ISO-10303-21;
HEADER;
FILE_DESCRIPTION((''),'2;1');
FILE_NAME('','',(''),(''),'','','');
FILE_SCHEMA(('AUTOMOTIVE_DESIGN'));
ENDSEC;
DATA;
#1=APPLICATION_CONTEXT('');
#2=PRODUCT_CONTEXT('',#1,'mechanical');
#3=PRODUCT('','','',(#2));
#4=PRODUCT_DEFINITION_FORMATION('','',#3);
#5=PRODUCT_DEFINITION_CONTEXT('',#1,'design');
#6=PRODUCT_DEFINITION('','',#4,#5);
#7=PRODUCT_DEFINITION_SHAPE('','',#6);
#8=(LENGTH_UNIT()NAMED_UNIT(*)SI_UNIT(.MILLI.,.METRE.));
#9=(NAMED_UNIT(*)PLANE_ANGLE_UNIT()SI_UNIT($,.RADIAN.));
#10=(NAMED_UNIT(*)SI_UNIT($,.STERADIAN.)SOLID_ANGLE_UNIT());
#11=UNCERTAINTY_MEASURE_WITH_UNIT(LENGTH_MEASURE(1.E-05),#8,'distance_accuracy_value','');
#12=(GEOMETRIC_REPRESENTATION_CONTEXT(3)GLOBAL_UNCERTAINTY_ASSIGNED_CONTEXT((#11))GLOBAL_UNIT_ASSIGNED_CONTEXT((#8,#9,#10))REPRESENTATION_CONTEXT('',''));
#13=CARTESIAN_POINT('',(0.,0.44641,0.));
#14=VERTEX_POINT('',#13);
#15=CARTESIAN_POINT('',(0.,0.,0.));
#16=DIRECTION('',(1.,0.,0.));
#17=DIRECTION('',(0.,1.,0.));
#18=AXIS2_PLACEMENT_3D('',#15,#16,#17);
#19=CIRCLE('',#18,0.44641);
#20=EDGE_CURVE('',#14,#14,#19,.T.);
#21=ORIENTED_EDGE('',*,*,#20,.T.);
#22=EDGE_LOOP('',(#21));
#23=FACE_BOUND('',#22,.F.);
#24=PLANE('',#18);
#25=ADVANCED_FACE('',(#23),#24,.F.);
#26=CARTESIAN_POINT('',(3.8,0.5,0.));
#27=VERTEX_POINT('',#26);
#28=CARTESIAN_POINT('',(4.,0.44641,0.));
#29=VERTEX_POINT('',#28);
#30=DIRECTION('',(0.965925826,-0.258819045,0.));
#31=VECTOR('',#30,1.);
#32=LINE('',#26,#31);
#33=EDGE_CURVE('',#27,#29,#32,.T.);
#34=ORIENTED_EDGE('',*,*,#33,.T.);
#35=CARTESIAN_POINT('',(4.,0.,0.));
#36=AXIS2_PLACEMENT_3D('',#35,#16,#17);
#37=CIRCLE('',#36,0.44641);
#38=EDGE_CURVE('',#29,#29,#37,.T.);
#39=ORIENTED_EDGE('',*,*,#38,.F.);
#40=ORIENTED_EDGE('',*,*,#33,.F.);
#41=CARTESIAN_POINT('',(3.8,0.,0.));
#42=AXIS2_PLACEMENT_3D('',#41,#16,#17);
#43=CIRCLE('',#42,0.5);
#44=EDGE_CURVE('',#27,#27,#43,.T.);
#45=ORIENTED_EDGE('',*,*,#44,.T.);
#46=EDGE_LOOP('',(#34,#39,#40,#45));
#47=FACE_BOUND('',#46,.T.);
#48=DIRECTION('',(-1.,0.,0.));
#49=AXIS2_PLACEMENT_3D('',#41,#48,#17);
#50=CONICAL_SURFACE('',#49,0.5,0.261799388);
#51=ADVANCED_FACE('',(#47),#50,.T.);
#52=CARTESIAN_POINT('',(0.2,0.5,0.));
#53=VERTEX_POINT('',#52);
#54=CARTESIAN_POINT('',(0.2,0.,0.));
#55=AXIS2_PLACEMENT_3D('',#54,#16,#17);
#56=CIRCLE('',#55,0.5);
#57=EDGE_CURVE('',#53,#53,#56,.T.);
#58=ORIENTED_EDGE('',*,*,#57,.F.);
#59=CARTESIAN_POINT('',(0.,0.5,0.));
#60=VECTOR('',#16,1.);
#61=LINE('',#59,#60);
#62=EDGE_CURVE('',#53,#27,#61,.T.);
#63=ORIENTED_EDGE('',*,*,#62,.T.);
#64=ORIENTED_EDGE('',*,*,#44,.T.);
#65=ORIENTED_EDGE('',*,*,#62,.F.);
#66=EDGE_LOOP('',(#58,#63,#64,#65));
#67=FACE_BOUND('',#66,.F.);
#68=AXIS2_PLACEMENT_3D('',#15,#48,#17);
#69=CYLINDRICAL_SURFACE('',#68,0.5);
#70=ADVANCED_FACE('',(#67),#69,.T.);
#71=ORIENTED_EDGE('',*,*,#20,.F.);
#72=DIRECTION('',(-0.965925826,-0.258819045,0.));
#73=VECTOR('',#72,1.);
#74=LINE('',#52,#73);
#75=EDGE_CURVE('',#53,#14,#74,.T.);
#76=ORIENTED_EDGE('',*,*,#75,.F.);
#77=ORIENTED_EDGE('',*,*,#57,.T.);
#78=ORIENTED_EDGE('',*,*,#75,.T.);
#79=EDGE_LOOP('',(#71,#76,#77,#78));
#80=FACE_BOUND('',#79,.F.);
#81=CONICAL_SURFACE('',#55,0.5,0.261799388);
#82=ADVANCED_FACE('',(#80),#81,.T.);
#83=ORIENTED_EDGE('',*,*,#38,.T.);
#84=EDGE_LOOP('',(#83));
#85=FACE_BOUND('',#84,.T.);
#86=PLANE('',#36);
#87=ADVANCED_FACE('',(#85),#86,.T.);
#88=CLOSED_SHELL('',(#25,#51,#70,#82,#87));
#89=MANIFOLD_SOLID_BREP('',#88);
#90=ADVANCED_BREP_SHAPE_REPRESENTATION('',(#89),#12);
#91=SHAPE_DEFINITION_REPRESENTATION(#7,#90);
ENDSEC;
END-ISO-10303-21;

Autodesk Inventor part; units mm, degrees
ref_plane "YZ Plane" through (0, 0, 0) normal (1, 0, 0) x (0, 1, 0)
ref_plane "XZ Plane" through (0, 0, 0) normal (0, 1, 0) x (-1, 0, 0)
ref_plane "XY Plane" through (0, 0, 0) normal (0, 0, 1) x (1, 0, 0)
sketch "Skizze" plane through (0, 0, 0) normal (1, 0, 0) x (0, 1, 0)
  circle A0 centre (0, 0) radius 0.5
  dimension "d1" = 1
extrude "Körper" add sketch "Skizze" along normal blind 4
chamfer "Fase1" distance 0.2 angle 15 1 edges at (0, -0.5, 0) measured on face at (2.6667, 0.4984, -0.0402)
chamfer "Skizze2" distance 0.2 angle 15 1 edges at (4, -0.5, 0) measured on face at (2.7333, 0.4984, -0.0402)
equation "\"d1\" = NND"
equation "\"d2\" = NLG"
equation "\"d8\" = PHH"
equation "\"d9\" = FAWI"
equation "\"d12\" = PHH"
equation "\"d4\" = PHH"
equation "\"d5\" = FAWI"
equation "\"d11\" = PHH"
equation "\"NND\" = 1"
equation "\"NLG\" = 4"
equation "\"PHH\" = 0.2"
equation "\"FAWI\" = 15deg"
equation "\"KAH\" = 0"
properties part number "ISO 2338 - 1 h8 x 4" material "Edelstahl, austenitisch"
